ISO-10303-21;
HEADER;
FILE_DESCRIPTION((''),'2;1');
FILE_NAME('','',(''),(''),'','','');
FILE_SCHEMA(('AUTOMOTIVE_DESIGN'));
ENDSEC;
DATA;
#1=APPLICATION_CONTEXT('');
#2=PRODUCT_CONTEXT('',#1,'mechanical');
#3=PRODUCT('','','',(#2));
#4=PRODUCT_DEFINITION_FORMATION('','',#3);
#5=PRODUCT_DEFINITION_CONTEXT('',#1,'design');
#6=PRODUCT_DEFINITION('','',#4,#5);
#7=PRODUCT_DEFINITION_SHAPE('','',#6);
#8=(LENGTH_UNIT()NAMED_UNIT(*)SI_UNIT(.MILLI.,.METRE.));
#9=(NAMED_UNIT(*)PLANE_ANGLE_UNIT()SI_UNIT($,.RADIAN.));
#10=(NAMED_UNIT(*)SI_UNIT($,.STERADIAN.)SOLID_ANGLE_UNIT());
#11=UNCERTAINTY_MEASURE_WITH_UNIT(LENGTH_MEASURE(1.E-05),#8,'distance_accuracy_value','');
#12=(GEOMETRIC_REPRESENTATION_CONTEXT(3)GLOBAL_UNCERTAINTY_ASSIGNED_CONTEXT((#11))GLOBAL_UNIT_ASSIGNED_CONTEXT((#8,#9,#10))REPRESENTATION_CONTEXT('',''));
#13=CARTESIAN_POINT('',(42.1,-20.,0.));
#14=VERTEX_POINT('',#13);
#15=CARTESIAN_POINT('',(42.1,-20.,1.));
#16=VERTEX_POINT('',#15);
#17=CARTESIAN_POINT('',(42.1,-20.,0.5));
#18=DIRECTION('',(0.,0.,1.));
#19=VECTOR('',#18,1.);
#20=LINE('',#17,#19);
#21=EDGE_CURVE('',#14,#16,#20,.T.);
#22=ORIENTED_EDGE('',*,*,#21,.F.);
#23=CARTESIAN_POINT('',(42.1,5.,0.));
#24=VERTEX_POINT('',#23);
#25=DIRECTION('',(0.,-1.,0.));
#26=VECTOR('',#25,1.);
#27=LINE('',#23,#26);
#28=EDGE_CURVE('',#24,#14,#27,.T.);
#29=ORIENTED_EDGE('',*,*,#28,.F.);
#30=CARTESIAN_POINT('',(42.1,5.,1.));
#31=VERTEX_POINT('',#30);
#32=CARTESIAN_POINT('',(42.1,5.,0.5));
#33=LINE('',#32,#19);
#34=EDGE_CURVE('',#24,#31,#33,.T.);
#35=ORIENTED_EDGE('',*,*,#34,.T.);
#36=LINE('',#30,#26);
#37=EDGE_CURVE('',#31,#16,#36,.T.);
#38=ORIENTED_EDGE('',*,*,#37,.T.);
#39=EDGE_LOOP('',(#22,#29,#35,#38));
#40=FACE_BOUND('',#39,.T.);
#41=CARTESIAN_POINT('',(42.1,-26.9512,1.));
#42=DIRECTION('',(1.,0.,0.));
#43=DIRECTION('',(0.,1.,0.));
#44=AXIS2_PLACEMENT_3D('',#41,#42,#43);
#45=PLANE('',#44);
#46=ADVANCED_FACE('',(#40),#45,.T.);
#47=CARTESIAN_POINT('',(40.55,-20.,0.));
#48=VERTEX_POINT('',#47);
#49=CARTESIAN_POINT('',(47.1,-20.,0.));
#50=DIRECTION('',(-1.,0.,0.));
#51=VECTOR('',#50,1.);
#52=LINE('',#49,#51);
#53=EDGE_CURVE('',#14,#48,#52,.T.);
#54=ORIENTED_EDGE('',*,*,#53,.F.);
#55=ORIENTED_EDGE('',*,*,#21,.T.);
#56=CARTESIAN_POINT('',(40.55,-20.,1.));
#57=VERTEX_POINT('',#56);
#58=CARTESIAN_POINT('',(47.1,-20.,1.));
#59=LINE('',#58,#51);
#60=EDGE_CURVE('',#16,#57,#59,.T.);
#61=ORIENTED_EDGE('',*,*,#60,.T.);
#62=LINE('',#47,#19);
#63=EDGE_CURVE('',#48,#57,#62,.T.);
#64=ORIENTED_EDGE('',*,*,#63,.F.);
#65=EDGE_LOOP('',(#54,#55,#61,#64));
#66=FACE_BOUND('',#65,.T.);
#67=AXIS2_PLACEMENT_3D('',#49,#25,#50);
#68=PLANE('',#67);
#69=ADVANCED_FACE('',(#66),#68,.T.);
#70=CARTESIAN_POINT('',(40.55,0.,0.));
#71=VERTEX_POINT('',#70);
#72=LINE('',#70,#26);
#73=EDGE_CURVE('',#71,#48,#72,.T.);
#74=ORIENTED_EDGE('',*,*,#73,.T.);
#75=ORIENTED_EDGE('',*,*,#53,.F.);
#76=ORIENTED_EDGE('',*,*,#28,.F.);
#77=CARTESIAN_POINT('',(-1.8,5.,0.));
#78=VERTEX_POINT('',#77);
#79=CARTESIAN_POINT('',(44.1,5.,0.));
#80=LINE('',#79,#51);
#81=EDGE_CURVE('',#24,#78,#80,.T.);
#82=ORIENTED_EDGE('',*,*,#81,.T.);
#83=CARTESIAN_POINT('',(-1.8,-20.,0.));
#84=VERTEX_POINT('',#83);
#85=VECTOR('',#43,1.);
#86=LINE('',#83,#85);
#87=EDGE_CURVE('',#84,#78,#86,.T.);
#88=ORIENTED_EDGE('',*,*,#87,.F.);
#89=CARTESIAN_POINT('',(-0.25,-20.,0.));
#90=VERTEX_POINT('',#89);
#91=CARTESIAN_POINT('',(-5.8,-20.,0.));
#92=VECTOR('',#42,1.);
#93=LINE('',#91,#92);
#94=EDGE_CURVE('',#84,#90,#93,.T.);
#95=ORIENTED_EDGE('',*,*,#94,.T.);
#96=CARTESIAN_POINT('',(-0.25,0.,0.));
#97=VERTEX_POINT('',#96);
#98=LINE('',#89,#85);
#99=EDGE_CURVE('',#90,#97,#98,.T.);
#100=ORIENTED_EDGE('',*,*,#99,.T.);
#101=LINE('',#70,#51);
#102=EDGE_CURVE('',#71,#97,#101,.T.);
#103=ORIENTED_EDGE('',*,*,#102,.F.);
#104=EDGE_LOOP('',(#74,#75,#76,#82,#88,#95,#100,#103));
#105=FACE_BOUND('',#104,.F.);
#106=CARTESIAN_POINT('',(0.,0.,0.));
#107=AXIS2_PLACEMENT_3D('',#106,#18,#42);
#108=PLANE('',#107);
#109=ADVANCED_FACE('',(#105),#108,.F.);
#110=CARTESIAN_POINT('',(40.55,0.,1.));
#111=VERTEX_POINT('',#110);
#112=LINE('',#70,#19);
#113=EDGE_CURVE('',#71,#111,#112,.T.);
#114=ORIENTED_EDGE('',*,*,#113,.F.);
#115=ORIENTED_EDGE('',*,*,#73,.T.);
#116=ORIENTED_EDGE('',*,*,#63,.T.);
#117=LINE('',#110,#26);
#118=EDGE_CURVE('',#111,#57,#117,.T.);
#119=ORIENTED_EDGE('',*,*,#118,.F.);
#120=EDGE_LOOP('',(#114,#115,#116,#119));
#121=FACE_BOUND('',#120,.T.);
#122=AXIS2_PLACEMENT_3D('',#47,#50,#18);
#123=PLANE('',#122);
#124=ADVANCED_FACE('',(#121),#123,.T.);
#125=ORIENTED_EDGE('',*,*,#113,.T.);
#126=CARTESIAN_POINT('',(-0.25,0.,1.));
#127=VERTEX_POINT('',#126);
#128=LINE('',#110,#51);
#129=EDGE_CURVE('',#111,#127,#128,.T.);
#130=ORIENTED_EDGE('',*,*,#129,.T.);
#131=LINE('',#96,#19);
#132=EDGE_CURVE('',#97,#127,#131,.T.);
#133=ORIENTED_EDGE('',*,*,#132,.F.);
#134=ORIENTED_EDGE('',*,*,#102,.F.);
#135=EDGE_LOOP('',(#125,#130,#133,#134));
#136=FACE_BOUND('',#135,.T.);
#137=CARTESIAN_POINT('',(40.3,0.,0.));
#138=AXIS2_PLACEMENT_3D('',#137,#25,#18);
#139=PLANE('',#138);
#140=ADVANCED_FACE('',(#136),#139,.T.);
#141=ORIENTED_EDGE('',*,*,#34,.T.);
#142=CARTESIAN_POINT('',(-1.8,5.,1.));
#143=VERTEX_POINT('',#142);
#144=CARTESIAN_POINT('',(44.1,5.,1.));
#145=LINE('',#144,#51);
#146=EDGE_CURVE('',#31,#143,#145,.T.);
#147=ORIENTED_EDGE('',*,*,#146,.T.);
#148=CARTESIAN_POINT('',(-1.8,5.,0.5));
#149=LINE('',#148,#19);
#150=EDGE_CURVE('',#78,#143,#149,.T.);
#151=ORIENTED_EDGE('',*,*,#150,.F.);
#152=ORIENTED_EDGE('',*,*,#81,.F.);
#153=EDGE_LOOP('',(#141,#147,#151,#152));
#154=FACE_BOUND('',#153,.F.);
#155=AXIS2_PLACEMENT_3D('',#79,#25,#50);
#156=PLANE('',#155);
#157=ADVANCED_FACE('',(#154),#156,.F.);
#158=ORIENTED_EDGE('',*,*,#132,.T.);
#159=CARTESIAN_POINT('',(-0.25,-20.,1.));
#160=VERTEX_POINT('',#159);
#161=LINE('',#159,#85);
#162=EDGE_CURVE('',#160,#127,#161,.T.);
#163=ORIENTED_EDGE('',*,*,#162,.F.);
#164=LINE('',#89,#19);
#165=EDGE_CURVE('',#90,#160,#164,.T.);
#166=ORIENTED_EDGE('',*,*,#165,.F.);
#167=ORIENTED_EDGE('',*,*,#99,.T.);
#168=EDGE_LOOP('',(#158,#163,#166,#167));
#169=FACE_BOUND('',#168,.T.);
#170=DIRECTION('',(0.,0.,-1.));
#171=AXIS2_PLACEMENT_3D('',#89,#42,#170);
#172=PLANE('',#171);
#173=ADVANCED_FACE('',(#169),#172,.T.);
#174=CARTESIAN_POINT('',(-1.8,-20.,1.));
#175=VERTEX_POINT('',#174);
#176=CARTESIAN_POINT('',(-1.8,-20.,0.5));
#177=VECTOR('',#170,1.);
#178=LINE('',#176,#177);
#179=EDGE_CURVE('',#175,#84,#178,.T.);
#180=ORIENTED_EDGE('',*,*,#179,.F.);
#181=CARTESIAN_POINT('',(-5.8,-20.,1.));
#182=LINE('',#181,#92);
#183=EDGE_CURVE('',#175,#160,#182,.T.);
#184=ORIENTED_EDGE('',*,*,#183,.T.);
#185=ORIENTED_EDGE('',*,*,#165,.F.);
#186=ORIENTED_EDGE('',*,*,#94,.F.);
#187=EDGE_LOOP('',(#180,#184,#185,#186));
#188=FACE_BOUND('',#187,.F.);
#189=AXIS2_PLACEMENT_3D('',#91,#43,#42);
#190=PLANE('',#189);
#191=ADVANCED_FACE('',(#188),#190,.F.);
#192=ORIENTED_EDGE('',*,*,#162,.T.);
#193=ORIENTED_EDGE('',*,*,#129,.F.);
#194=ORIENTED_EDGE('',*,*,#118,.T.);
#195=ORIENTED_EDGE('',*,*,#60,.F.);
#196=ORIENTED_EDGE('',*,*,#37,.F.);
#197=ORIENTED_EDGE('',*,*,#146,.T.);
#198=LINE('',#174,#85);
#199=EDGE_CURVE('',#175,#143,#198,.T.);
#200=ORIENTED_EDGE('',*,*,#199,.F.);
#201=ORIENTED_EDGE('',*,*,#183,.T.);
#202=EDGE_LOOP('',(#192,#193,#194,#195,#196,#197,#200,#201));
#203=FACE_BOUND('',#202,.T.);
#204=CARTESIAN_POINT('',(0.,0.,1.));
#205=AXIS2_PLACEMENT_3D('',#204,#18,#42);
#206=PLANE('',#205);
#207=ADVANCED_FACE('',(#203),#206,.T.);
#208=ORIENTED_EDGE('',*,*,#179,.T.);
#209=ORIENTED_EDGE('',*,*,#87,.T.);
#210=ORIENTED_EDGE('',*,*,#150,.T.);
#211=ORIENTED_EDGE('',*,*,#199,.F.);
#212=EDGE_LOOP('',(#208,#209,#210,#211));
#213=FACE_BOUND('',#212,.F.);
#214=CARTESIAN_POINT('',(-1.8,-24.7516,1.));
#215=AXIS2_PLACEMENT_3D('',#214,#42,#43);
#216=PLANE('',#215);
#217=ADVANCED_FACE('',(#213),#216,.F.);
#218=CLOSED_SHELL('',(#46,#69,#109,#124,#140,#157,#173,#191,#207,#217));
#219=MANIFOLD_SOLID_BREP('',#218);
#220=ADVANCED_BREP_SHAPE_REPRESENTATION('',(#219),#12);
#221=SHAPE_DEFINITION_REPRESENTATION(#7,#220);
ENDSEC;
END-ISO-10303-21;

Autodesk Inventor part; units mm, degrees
ref_plane "YZ Plane" through (0, 0, 0) normal (1, 0, 0) x (0, 1, 0)
ref_plane "XZ Plane" through (0, 0, 0) normal (0, 1, 0) x (-1, 0, 0)
ref_plane "XY Plane" through (0, 0, 0) normal (0, 0, 1) x (1, 0, 0)
sketch "Sketch1" plane through (0, 0, 0) normal (0, 0, 1) x (1, 0, 0)
  line L0 (-6.8, -3.1) -> (-5.8439, -3.1)
  arc A0 (-5.8439, -5.5) -> (-5.8439, -3.1) centre (-4, -4.3) ccw
  line L1 (-5.8439, -5.5) -> (-6.8, -5.5)
  line L2 (-6.8, -5.5) -> (-6.8, -3.1)
  line L3 (-6.8, -16.9) -> (-6.8, -14.5)
  line L4 (-5.8439, -14.5) -> (-6.8, -14.5)
  arc A1 (-5.8439, -16.9) -> (-5.8439, -14.5) centre (-4, -15.7) ccw
  line L5 (-5.8439, -16.9) -> (-6.8, -16.9)
  arc A2 (47.1, 2) -> (44.1, 5) centre (44.1, 2) ccw
  line L6 (44.1, 5) -> (-5.8, 5)
  arc A3 (-5.8, 5) -> (-8.8, 2) centre (-5.8, 2) ccw
  line L7 (-8.8, -3.3038) -> (-8.8, 2)
  spline S0 degree 3 poles (-11.8, -8.5) (-11.3844, -8.0844) (-10.926, -7.6277) (-10.0868, -6.6554) (-9.7097, -6.1367) (-9.2499, -5.2825) (-9.0837, -4.8972) (-8.8584, -4.0991) (-8.8, -3.6862) (-8.8, -3.3038) knots 0 0 0 0 0.176344 0.176344 0.352688 0.352688 0.467383 0.467383 0.582078 0.582078 0.582078 0.582078
  line L8 (-71, -8.5) -> (-11.8, -8.5)
  arc A4 (-71, -11.5) -> (-71, -8.5) centre (-71.8, -10) ccw
  line L9 (-11.8, -11.5) -> (-71, -11.5)
  spline S1 degree 3 poles (-8.8, -16.6962) (-8.8, -16.3138) (-8.8584, -15.9009) (-9.0837, -15.1028) (-9.2499, -14.7175) (-9.7097, -13.8633) (-10.0868, -13.3446) (-10.926, -12.3723) (-11.3844, -11.9156) (-11.8, -11.5) knots 1.516597 1.516597 1.516597 1.516597 1.631292 1.631292 1.745986 1.745986 1.922331 1.922331 2.098675 2.098675 2.098675 2.098675
  line L10 (-8.8, -17) -> (-8.8, -16.6962)
  arc A5 (-8.8, -17) -> (-5.8, -20) centre (-5.8, -17) ccw
  line L11 (-5.8, -20) -> (0, -20)
  line L12 (0, -20) -> (0, 0)
  line L13 (0, 0) -> (40.3, 0)
  line L14 (40.3, -20) -> (40.3, 0)
  line L15 (47.1, -20) -> (40.3, -20)
  line L16 (47.1, -16.9) -> (47.1, -20)
  line L17 (47.1, -16.9) -> (46.1439, -16.9)
  arc A6 (46.1439, -14.5) -> (46.1439, -16.9) centre (44.3, -15.7) ccw
  line L18 (46.1439, -14.5) -> (47.1, -14.5)
  line L19 (47.1, -5.5) -> (47.1, -14.5)
  line L20 (47.1, -5.5) -> (46.1439, -5.5)
  arc A7 (46.1439, -3.1) -> (46.1439, -5.5) centre (44.3, -4.3) ccw
  line L21 (46.1439, -3.1) -> (47.1, -3.1)
  line L22 (47.1, -3.1) -> (47.1, 2)
extrude "Extrusion1" add sketch "Sketch1" along normal blind 1
sketch "Sketch2" plane through (0, 0, 1) normal (0, 0, 1) x (1, 0, 0)
  line L0 (-6.8, -14.5) -> (-5.8439, -14.5) projected
  arc A0 (-5.8439, -16.9) -> (-5.8439, -14.5) centre (-4, -15.7) ccw projected
  line L1 (-5.8439, -16.9) -> (-6.8, -16.9) projected
  line L2 (-6.8, -16.9) -> (-6.8, -14.5) projected
  arc A1 (-5.8439, -5.5) -> (-5.8439, -3.1) centre (-4, -4.3) ccw projected
  line L3 (-5.8439, -5.5) -> (-6.8, -5.5) projected
  line L4 (-6.8, -5.5) -> (-6.8, -3.1) projected
  line L5 (-6.8, -3.1) -> (-5.8439, -3.1) projected
  line L6 (-1.8, 10.0452) -> (-75.924, 10.0452)
  line L7 (-75.924, 10.0452) -> (-75.924, -24.7516)
  line L8 (-75.924, -24.7516) -> (-1.8, -24.7516)
  line L9 (-1.8, -24.7516) -> (-1.8, 10.0452)
  line L10 (42.1, 14.1949) -> (61.4451, 14.1949)
  line L11 (61.4451, 14.1949) -> (61.4451, -26.9512)
  line L12 (61.4451, -26.9512) -> (42.1, -26.9512)
  line L13 (42.1, -26.9512) -> (42.1, 14.1949)
extrude "Extrusion2" cut sketch "Sketch2" against normal blind 1
sketch "Sketch3" plane through (0, -20, 0) normal (1, 0, 0) x (0, 0, -1)
  line L0 (0, 0) -> (0, 20) projected
  line L1 (0, 20) -> (-1, 20) projected
  line L2 (-1, 0) -> (-1, 20) projected
  line L3 (0, 0) -> (-1, 0) projected
extrude "Extrusion3" cut sketch "Sketch3" against normal blind 0.25
sketch "Sketch4" plane through (40.3, -20, 0) normal (-1, 0, 0) x (0, 0, 1)
  line L0 (0, 20) -> (0, 0) projected
  line L1 (0, 0) -> (1, 0) projected
  line L2 (1, 20) -> (1, 0) projected
  line L3 (0, 20) -> (1, 20) projected
extrude "Extrusion4" cut sketch "Sketch4" against normal blind 0.25
properties part number "Fork2DimTest"
